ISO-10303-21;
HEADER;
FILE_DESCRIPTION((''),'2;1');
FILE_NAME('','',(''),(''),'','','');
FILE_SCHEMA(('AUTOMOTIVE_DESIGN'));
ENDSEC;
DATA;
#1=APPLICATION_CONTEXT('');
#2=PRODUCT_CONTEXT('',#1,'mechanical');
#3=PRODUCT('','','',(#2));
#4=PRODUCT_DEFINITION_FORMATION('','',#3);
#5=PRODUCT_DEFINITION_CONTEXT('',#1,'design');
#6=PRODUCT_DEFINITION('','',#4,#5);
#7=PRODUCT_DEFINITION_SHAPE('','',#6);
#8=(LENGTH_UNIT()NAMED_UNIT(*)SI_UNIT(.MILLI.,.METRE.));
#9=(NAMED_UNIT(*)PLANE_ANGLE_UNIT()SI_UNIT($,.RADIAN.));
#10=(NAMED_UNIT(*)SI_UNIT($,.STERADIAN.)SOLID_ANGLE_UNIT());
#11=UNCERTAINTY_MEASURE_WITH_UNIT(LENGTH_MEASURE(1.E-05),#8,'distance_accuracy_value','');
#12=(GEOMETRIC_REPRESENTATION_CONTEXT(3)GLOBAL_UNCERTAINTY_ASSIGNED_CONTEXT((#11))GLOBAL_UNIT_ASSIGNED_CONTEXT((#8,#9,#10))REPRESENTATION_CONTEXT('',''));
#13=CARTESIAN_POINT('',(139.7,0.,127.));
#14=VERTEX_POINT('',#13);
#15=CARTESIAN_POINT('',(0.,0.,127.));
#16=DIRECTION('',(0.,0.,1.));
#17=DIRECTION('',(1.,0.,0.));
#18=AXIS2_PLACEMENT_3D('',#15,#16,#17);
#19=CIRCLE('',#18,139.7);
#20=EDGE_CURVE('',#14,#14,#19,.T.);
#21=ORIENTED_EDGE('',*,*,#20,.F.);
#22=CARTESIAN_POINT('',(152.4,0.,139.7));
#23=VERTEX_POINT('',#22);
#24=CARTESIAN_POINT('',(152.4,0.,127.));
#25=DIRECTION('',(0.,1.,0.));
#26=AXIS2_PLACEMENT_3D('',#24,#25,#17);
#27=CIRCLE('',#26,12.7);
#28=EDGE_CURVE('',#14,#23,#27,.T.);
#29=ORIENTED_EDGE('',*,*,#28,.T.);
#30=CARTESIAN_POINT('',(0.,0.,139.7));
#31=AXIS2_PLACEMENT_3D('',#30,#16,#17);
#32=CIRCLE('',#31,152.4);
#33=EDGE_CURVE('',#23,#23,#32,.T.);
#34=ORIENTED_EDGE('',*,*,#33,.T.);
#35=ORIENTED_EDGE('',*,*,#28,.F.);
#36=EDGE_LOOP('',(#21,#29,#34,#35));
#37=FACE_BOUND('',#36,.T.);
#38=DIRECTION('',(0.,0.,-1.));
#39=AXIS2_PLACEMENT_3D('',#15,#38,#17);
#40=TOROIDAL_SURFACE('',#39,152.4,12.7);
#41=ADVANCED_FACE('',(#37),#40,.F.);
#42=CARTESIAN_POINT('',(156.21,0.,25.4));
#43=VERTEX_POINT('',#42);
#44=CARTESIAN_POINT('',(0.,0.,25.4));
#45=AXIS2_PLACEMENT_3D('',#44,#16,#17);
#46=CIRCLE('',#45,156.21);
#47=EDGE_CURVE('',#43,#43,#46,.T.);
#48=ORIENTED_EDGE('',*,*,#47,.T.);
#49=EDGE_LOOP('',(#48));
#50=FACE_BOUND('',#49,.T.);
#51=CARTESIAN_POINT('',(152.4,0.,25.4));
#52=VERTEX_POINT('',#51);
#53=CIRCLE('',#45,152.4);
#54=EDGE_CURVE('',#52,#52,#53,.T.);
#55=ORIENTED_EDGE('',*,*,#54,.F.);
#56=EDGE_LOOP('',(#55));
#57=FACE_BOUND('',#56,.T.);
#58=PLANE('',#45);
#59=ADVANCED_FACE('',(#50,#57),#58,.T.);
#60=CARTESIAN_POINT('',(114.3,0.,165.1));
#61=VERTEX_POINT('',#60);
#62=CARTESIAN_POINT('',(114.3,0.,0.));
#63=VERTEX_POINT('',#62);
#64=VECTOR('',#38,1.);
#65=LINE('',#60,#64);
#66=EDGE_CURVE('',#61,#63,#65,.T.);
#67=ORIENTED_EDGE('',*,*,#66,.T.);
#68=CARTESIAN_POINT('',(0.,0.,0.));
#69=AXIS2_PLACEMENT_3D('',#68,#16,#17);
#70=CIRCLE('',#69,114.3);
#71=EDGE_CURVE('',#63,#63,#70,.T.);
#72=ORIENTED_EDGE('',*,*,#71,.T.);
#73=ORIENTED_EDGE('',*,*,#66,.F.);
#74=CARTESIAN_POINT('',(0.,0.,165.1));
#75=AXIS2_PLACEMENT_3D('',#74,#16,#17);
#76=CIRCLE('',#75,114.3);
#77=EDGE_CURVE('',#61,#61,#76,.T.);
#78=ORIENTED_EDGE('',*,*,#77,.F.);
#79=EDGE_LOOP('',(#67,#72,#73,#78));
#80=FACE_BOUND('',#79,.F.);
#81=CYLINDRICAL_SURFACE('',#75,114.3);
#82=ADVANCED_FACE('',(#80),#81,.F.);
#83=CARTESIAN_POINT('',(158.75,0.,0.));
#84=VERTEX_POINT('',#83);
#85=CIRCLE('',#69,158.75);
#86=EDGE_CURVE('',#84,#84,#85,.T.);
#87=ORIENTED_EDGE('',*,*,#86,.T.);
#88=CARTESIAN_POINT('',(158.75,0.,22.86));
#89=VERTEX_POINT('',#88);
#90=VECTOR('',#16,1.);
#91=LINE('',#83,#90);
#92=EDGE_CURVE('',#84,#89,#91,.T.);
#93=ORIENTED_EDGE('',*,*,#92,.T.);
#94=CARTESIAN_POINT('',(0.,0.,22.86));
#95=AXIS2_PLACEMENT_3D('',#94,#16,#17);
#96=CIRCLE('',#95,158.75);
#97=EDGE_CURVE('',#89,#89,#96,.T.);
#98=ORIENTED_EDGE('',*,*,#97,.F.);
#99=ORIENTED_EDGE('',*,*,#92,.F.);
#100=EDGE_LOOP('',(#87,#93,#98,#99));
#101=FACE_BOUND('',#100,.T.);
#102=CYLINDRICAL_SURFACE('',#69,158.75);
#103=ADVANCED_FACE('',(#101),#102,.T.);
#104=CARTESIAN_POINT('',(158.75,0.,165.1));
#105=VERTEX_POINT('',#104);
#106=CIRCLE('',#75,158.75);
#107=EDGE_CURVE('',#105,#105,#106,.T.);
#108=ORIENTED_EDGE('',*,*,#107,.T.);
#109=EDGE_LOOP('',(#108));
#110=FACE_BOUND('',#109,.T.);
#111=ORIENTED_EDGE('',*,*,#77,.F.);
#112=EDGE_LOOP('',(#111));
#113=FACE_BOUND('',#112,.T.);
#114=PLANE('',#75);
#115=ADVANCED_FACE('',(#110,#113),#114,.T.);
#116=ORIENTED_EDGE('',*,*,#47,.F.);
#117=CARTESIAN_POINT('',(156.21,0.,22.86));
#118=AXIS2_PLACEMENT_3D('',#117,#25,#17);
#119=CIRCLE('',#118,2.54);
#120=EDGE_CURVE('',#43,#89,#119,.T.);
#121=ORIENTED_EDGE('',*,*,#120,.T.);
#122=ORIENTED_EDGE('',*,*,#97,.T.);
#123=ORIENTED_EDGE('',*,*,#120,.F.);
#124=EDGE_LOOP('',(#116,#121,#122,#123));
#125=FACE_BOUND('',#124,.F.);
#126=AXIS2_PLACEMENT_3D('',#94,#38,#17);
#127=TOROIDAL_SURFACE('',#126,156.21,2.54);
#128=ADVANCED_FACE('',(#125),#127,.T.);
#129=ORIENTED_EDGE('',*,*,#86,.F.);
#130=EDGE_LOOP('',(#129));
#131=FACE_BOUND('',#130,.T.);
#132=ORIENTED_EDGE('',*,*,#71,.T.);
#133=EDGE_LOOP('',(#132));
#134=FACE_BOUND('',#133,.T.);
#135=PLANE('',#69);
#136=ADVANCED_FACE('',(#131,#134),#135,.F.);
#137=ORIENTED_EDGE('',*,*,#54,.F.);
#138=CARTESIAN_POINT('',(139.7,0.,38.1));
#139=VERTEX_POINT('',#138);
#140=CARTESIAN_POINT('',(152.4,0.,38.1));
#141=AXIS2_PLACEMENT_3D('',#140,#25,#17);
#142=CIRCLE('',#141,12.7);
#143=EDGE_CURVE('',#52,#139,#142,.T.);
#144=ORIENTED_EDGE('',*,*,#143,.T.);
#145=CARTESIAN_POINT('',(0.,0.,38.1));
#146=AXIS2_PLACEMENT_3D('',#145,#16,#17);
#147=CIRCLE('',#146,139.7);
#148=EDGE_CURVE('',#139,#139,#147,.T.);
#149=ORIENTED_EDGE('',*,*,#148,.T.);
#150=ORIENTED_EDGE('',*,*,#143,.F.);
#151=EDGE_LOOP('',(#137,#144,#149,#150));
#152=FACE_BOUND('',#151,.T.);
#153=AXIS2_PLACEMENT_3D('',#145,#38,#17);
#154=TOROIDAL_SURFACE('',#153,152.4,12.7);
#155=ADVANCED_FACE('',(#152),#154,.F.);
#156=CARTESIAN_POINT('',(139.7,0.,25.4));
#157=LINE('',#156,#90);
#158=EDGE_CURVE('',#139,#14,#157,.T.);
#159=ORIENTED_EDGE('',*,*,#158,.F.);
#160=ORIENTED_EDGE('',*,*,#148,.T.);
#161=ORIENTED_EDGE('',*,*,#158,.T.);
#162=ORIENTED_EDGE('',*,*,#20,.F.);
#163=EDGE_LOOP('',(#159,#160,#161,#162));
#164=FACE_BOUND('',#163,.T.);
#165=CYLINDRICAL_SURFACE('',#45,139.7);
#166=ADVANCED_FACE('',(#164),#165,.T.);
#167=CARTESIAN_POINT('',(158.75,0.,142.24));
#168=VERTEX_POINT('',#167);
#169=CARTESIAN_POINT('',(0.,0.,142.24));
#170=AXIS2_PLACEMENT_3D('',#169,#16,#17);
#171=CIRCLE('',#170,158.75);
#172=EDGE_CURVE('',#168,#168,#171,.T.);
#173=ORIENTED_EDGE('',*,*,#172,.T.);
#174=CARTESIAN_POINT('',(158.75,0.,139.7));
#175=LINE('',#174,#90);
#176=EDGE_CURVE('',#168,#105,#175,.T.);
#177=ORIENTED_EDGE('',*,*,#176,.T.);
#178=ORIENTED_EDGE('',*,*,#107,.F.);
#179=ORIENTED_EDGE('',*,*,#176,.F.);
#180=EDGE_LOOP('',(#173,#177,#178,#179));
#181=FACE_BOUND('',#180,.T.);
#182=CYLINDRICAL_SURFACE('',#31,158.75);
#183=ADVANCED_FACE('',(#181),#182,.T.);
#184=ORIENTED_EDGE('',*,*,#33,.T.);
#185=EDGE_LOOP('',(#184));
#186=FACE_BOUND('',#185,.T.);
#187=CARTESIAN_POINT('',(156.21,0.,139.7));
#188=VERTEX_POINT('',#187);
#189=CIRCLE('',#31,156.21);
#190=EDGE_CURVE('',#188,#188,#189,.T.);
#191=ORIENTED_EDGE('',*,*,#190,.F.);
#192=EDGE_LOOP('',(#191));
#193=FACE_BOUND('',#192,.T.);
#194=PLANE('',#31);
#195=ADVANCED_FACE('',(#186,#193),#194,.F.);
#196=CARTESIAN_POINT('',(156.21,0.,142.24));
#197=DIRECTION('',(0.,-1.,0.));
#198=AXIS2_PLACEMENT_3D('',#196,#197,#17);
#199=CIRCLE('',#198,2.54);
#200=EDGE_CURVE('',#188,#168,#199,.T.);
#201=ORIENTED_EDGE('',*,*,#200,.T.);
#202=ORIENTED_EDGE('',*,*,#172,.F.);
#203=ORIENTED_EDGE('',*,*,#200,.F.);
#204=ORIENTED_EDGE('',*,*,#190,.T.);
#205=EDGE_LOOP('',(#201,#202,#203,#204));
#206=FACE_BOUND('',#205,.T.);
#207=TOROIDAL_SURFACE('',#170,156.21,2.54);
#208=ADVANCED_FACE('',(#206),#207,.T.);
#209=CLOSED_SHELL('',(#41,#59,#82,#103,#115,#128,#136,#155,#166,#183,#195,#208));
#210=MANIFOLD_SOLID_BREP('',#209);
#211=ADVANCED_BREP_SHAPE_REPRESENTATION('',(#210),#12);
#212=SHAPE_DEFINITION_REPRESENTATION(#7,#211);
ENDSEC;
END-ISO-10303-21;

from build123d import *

# Parameters (mm, degrees)
F2_R     = 12.7
F3_R     = 2.54
F4_R     = 114.3
F5_DEPTH = 165.101


with BuildPart() as f1:
    # F0 (on Front) → F1 (revolve)
    with BuildSketch(Plane.XZ):
        Polygon((0, 165.1), (0, 0), (158.75, 0), (158.75, 25.4), (139.7, 25.4), (139.7, 139.7), (158.75, 139.7), (158.75, 165.1), align=None)
    revolve(axis=Axis((0, 0, 82.55), (0, 0, 1)))

    # F2
    f2_edges = [f1.edges().sort_by_distance(p)[0] for p in [
        (-139.7, 0, 139.7),
        (-139.7, 0, 25.4),
    ]]
    fillet(f2_edges, radius=F2_R)

    # F3
    f3_edges = [f1.edges().sort_by_distance(p)[0] for p in [
        (-158.75, 0, 25.4),
        (-158.75, 0, 139.7),
    ]]
    fillet(f3_edges, radius=F3_R)

    # F4 (on face) → F5 (cut, through all)
    with BuildSketch(Plane.XY.offset(165.1)):
        Circle(F4_R)
    extrude(amount=-F5_DEPTH, mode=Mode.SUBTRACT)


solid = f1.part
